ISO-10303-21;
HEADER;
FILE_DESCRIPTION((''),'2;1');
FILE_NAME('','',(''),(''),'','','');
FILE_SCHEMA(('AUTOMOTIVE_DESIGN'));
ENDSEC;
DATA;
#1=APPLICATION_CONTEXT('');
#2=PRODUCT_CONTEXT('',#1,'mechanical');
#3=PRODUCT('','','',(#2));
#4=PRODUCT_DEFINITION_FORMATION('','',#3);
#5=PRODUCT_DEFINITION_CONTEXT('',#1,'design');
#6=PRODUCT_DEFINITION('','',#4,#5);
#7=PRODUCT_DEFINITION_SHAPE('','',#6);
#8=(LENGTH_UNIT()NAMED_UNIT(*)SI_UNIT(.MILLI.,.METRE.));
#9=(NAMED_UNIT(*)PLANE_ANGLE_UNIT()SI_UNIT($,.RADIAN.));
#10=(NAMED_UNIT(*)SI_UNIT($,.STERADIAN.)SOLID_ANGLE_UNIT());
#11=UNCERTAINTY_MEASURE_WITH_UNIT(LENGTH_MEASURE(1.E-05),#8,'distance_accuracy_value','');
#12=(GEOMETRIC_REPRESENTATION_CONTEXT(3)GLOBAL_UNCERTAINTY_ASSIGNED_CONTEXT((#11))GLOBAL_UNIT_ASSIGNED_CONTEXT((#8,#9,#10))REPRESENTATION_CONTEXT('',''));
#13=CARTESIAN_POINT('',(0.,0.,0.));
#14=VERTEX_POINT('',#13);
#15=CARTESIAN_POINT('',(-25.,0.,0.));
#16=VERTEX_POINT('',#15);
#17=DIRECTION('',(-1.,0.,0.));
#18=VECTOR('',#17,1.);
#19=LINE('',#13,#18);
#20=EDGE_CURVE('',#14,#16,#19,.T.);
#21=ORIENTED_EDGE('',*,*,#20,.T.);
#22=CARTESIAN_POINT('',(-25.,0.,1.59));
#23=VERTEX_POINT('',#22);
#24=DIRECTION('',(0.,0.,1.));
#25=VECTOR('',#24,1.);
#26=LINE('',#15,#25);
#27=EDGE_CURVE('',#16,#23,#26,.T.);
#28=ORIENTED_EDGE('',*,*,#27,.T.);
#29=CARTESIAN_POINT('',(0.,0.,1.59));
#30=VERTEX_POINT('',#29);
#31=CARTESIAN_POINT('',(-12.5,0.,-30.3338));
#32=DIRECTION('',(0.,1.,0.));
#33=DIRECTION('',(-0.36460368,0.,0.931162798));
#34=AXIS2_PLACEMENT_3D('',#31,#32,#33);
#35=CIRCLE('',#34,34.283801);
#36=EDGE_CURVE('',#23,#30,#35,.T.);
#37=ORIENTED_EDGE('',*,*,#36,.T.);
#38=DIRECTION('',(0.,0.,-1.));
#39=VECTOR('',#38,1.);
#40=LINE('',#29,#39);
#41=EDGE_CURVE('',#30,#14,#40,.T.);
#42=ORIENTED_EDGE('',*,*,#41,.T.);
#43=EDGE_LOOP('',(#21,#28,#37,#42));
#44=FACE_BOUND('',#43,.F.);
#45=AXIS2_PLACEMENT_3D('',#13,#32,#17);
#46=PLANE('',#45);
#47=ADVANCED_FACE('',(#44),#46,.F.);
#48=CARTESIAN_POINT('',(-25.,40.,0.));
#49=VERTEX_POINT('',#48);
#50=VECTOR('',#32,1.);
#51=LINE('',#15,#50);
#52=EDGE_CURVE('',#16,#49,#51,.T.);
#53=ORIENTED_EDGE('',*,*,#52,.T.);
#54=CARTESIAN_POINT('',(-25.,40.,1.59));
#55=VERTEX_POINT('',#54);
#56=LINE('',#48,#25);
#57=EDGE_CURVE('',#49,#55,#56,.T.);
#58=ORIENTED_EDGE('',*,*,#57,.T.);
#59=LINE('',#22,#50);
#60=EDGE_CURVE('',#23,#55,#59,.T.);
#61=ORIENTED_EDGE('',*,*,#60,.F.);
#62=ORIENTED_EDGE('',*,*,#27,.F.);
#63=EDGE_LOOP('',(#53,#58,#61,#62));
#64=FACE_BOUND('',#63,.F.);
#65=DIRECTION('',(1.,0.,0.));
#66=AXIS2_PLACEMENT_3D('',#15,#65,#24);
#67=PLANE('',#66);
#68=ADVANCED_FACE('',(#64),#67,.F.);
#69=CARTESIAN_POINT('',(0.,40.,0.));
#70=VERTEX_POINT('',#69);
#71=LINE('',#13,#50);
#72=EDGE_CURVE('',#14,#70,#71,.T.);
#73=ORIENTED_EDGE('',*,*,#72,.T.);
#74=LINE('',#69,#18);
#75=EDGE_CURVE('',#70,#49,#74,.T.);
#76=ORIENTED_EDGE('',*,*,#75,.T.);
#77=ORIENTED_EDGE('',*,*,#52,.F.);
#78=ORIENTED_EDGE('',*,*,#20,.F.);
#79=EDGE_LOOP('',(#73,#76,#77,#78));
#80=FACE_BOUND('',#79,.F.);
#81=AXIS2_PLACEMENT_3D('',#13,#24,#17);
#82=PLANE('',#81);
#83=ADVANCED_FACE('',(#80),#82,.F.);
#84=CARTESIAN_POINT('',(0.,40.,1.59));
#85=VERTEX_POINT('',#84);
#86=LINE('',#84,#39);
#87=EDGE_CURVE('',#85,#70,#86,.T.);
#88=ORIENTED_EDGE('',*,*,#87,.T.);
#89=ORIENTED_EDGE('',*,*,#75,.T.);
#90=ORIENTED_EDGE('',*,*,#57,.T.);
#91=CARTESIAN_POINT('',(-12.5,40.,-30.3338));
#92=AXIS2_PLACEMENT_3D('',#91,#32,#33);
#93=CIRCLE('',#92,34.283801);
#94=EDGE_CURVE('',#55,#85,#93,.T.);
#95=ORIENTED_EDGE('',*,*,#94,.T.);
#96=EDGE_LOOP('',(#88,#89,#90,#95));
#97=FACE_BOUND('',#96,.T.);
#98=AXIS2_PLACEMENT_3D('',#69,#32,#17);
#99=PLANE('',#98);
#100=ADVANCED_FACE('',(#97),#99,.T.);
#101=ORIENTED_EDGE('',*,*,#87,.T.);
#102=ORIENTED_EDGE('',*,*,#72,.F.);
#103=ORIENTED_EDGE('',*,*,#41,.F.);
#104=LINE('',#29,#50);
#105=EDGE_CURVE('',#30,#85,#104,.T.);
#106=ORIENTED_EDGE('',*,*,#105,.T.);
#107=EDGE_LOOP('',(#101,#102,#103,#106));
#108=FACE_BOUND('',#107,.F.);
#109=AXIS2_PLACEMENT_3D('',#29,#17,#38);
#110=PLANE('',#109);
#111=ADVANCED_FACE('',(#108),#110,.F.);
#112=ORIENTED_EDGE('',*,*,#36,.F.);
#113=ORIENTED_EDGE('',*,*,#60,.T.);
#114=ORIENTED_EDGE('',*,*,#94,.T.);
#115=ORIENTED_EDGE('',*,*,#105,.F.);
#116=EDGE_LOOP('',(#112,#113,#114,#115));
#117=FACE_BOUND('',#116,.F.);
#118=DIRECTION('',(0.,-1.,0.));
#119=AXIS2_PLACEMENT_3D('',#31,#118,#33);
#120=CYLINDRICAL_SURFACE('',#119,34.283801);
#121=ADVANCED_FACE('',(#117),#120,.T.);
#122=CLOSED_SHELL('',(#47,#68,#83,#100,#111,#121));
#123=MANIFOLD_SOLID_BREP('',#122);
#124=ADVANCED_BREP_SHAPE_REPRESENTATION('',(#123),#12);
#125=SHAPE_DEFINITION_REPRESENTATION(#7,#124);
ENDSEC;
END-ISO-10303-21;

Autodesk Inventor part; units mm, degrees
ref_plane "YZ Plane" through (0, 0, 0) normal (1, 0, 0) x (0, 1, 0)
ref_plane "XZ Plane" through (0, 0, 0) normal (0, 1, 0) x (-1, 0, 0)
ref_plane "XY Plane" through (0, 0, 0) normal (0, 0, 1) x (1, 0, 0)
sketch "Sketch1" plane through (0, 0, 0) normal (0, 1, 0) x (-1, 0, 0)
  line L0 (0, 0) -> (25, 0)
  line L1 (25, 0) -> (25, 1.59)
  line L2 (25, 1.59) -> (0, 1.59)
  line L3 (0, 1.59) -> (0, 0)
  arc A0 (25, 1.59) -> (0, 1.59) centre (12.5, -30.3338) ccw
  line L4 (12.5, 0) -> (12.5, 3.95) construction
  dimension "d0" = 25
  dimension "d1" = 1.59
  dimension "d6" = 3.95
extrude "Extrusion1" add sketch "Sketch1" along normal blind 40
sketch "Sketch2" plane through (0, 0, 0) normal (0, 0, -1) x (-1, 0, 0)
  line L0 (0, 0) -> (25, 0) projected
  line L1 (25, 0) -> (25, 40) projected
  line L2 (0, 40) -> (25, 40) projected
  line L3 (0, 0) -> (0, 40) projected
  circle A0 centre (12.5, 20) radius 1.6121
extrude "Extrusion2" [suppressed]
sketch "Sketch3" plane through (0, 0, 0) normal (0, 0, -1) x (-1, 0, 0)
  line L0 (0, 0) -> (25, 0) construction
  line L1 (25, 0) -> (25, 40) construction
  line L2 (0, 40) -> (25, 40) construction
  line L3 (0, 0) -> (0, 40) construction
  line L4 (0, 40) -> (25, 0) construction
  line L5 (25, 0) -> (25, 40) construction
  line L6 (25, 40) -> (0, 0) construction
  point P0 (12.5, 20)
properties part number "00_Comar_Lens_Cylindrical_50mm" material "Glass"
